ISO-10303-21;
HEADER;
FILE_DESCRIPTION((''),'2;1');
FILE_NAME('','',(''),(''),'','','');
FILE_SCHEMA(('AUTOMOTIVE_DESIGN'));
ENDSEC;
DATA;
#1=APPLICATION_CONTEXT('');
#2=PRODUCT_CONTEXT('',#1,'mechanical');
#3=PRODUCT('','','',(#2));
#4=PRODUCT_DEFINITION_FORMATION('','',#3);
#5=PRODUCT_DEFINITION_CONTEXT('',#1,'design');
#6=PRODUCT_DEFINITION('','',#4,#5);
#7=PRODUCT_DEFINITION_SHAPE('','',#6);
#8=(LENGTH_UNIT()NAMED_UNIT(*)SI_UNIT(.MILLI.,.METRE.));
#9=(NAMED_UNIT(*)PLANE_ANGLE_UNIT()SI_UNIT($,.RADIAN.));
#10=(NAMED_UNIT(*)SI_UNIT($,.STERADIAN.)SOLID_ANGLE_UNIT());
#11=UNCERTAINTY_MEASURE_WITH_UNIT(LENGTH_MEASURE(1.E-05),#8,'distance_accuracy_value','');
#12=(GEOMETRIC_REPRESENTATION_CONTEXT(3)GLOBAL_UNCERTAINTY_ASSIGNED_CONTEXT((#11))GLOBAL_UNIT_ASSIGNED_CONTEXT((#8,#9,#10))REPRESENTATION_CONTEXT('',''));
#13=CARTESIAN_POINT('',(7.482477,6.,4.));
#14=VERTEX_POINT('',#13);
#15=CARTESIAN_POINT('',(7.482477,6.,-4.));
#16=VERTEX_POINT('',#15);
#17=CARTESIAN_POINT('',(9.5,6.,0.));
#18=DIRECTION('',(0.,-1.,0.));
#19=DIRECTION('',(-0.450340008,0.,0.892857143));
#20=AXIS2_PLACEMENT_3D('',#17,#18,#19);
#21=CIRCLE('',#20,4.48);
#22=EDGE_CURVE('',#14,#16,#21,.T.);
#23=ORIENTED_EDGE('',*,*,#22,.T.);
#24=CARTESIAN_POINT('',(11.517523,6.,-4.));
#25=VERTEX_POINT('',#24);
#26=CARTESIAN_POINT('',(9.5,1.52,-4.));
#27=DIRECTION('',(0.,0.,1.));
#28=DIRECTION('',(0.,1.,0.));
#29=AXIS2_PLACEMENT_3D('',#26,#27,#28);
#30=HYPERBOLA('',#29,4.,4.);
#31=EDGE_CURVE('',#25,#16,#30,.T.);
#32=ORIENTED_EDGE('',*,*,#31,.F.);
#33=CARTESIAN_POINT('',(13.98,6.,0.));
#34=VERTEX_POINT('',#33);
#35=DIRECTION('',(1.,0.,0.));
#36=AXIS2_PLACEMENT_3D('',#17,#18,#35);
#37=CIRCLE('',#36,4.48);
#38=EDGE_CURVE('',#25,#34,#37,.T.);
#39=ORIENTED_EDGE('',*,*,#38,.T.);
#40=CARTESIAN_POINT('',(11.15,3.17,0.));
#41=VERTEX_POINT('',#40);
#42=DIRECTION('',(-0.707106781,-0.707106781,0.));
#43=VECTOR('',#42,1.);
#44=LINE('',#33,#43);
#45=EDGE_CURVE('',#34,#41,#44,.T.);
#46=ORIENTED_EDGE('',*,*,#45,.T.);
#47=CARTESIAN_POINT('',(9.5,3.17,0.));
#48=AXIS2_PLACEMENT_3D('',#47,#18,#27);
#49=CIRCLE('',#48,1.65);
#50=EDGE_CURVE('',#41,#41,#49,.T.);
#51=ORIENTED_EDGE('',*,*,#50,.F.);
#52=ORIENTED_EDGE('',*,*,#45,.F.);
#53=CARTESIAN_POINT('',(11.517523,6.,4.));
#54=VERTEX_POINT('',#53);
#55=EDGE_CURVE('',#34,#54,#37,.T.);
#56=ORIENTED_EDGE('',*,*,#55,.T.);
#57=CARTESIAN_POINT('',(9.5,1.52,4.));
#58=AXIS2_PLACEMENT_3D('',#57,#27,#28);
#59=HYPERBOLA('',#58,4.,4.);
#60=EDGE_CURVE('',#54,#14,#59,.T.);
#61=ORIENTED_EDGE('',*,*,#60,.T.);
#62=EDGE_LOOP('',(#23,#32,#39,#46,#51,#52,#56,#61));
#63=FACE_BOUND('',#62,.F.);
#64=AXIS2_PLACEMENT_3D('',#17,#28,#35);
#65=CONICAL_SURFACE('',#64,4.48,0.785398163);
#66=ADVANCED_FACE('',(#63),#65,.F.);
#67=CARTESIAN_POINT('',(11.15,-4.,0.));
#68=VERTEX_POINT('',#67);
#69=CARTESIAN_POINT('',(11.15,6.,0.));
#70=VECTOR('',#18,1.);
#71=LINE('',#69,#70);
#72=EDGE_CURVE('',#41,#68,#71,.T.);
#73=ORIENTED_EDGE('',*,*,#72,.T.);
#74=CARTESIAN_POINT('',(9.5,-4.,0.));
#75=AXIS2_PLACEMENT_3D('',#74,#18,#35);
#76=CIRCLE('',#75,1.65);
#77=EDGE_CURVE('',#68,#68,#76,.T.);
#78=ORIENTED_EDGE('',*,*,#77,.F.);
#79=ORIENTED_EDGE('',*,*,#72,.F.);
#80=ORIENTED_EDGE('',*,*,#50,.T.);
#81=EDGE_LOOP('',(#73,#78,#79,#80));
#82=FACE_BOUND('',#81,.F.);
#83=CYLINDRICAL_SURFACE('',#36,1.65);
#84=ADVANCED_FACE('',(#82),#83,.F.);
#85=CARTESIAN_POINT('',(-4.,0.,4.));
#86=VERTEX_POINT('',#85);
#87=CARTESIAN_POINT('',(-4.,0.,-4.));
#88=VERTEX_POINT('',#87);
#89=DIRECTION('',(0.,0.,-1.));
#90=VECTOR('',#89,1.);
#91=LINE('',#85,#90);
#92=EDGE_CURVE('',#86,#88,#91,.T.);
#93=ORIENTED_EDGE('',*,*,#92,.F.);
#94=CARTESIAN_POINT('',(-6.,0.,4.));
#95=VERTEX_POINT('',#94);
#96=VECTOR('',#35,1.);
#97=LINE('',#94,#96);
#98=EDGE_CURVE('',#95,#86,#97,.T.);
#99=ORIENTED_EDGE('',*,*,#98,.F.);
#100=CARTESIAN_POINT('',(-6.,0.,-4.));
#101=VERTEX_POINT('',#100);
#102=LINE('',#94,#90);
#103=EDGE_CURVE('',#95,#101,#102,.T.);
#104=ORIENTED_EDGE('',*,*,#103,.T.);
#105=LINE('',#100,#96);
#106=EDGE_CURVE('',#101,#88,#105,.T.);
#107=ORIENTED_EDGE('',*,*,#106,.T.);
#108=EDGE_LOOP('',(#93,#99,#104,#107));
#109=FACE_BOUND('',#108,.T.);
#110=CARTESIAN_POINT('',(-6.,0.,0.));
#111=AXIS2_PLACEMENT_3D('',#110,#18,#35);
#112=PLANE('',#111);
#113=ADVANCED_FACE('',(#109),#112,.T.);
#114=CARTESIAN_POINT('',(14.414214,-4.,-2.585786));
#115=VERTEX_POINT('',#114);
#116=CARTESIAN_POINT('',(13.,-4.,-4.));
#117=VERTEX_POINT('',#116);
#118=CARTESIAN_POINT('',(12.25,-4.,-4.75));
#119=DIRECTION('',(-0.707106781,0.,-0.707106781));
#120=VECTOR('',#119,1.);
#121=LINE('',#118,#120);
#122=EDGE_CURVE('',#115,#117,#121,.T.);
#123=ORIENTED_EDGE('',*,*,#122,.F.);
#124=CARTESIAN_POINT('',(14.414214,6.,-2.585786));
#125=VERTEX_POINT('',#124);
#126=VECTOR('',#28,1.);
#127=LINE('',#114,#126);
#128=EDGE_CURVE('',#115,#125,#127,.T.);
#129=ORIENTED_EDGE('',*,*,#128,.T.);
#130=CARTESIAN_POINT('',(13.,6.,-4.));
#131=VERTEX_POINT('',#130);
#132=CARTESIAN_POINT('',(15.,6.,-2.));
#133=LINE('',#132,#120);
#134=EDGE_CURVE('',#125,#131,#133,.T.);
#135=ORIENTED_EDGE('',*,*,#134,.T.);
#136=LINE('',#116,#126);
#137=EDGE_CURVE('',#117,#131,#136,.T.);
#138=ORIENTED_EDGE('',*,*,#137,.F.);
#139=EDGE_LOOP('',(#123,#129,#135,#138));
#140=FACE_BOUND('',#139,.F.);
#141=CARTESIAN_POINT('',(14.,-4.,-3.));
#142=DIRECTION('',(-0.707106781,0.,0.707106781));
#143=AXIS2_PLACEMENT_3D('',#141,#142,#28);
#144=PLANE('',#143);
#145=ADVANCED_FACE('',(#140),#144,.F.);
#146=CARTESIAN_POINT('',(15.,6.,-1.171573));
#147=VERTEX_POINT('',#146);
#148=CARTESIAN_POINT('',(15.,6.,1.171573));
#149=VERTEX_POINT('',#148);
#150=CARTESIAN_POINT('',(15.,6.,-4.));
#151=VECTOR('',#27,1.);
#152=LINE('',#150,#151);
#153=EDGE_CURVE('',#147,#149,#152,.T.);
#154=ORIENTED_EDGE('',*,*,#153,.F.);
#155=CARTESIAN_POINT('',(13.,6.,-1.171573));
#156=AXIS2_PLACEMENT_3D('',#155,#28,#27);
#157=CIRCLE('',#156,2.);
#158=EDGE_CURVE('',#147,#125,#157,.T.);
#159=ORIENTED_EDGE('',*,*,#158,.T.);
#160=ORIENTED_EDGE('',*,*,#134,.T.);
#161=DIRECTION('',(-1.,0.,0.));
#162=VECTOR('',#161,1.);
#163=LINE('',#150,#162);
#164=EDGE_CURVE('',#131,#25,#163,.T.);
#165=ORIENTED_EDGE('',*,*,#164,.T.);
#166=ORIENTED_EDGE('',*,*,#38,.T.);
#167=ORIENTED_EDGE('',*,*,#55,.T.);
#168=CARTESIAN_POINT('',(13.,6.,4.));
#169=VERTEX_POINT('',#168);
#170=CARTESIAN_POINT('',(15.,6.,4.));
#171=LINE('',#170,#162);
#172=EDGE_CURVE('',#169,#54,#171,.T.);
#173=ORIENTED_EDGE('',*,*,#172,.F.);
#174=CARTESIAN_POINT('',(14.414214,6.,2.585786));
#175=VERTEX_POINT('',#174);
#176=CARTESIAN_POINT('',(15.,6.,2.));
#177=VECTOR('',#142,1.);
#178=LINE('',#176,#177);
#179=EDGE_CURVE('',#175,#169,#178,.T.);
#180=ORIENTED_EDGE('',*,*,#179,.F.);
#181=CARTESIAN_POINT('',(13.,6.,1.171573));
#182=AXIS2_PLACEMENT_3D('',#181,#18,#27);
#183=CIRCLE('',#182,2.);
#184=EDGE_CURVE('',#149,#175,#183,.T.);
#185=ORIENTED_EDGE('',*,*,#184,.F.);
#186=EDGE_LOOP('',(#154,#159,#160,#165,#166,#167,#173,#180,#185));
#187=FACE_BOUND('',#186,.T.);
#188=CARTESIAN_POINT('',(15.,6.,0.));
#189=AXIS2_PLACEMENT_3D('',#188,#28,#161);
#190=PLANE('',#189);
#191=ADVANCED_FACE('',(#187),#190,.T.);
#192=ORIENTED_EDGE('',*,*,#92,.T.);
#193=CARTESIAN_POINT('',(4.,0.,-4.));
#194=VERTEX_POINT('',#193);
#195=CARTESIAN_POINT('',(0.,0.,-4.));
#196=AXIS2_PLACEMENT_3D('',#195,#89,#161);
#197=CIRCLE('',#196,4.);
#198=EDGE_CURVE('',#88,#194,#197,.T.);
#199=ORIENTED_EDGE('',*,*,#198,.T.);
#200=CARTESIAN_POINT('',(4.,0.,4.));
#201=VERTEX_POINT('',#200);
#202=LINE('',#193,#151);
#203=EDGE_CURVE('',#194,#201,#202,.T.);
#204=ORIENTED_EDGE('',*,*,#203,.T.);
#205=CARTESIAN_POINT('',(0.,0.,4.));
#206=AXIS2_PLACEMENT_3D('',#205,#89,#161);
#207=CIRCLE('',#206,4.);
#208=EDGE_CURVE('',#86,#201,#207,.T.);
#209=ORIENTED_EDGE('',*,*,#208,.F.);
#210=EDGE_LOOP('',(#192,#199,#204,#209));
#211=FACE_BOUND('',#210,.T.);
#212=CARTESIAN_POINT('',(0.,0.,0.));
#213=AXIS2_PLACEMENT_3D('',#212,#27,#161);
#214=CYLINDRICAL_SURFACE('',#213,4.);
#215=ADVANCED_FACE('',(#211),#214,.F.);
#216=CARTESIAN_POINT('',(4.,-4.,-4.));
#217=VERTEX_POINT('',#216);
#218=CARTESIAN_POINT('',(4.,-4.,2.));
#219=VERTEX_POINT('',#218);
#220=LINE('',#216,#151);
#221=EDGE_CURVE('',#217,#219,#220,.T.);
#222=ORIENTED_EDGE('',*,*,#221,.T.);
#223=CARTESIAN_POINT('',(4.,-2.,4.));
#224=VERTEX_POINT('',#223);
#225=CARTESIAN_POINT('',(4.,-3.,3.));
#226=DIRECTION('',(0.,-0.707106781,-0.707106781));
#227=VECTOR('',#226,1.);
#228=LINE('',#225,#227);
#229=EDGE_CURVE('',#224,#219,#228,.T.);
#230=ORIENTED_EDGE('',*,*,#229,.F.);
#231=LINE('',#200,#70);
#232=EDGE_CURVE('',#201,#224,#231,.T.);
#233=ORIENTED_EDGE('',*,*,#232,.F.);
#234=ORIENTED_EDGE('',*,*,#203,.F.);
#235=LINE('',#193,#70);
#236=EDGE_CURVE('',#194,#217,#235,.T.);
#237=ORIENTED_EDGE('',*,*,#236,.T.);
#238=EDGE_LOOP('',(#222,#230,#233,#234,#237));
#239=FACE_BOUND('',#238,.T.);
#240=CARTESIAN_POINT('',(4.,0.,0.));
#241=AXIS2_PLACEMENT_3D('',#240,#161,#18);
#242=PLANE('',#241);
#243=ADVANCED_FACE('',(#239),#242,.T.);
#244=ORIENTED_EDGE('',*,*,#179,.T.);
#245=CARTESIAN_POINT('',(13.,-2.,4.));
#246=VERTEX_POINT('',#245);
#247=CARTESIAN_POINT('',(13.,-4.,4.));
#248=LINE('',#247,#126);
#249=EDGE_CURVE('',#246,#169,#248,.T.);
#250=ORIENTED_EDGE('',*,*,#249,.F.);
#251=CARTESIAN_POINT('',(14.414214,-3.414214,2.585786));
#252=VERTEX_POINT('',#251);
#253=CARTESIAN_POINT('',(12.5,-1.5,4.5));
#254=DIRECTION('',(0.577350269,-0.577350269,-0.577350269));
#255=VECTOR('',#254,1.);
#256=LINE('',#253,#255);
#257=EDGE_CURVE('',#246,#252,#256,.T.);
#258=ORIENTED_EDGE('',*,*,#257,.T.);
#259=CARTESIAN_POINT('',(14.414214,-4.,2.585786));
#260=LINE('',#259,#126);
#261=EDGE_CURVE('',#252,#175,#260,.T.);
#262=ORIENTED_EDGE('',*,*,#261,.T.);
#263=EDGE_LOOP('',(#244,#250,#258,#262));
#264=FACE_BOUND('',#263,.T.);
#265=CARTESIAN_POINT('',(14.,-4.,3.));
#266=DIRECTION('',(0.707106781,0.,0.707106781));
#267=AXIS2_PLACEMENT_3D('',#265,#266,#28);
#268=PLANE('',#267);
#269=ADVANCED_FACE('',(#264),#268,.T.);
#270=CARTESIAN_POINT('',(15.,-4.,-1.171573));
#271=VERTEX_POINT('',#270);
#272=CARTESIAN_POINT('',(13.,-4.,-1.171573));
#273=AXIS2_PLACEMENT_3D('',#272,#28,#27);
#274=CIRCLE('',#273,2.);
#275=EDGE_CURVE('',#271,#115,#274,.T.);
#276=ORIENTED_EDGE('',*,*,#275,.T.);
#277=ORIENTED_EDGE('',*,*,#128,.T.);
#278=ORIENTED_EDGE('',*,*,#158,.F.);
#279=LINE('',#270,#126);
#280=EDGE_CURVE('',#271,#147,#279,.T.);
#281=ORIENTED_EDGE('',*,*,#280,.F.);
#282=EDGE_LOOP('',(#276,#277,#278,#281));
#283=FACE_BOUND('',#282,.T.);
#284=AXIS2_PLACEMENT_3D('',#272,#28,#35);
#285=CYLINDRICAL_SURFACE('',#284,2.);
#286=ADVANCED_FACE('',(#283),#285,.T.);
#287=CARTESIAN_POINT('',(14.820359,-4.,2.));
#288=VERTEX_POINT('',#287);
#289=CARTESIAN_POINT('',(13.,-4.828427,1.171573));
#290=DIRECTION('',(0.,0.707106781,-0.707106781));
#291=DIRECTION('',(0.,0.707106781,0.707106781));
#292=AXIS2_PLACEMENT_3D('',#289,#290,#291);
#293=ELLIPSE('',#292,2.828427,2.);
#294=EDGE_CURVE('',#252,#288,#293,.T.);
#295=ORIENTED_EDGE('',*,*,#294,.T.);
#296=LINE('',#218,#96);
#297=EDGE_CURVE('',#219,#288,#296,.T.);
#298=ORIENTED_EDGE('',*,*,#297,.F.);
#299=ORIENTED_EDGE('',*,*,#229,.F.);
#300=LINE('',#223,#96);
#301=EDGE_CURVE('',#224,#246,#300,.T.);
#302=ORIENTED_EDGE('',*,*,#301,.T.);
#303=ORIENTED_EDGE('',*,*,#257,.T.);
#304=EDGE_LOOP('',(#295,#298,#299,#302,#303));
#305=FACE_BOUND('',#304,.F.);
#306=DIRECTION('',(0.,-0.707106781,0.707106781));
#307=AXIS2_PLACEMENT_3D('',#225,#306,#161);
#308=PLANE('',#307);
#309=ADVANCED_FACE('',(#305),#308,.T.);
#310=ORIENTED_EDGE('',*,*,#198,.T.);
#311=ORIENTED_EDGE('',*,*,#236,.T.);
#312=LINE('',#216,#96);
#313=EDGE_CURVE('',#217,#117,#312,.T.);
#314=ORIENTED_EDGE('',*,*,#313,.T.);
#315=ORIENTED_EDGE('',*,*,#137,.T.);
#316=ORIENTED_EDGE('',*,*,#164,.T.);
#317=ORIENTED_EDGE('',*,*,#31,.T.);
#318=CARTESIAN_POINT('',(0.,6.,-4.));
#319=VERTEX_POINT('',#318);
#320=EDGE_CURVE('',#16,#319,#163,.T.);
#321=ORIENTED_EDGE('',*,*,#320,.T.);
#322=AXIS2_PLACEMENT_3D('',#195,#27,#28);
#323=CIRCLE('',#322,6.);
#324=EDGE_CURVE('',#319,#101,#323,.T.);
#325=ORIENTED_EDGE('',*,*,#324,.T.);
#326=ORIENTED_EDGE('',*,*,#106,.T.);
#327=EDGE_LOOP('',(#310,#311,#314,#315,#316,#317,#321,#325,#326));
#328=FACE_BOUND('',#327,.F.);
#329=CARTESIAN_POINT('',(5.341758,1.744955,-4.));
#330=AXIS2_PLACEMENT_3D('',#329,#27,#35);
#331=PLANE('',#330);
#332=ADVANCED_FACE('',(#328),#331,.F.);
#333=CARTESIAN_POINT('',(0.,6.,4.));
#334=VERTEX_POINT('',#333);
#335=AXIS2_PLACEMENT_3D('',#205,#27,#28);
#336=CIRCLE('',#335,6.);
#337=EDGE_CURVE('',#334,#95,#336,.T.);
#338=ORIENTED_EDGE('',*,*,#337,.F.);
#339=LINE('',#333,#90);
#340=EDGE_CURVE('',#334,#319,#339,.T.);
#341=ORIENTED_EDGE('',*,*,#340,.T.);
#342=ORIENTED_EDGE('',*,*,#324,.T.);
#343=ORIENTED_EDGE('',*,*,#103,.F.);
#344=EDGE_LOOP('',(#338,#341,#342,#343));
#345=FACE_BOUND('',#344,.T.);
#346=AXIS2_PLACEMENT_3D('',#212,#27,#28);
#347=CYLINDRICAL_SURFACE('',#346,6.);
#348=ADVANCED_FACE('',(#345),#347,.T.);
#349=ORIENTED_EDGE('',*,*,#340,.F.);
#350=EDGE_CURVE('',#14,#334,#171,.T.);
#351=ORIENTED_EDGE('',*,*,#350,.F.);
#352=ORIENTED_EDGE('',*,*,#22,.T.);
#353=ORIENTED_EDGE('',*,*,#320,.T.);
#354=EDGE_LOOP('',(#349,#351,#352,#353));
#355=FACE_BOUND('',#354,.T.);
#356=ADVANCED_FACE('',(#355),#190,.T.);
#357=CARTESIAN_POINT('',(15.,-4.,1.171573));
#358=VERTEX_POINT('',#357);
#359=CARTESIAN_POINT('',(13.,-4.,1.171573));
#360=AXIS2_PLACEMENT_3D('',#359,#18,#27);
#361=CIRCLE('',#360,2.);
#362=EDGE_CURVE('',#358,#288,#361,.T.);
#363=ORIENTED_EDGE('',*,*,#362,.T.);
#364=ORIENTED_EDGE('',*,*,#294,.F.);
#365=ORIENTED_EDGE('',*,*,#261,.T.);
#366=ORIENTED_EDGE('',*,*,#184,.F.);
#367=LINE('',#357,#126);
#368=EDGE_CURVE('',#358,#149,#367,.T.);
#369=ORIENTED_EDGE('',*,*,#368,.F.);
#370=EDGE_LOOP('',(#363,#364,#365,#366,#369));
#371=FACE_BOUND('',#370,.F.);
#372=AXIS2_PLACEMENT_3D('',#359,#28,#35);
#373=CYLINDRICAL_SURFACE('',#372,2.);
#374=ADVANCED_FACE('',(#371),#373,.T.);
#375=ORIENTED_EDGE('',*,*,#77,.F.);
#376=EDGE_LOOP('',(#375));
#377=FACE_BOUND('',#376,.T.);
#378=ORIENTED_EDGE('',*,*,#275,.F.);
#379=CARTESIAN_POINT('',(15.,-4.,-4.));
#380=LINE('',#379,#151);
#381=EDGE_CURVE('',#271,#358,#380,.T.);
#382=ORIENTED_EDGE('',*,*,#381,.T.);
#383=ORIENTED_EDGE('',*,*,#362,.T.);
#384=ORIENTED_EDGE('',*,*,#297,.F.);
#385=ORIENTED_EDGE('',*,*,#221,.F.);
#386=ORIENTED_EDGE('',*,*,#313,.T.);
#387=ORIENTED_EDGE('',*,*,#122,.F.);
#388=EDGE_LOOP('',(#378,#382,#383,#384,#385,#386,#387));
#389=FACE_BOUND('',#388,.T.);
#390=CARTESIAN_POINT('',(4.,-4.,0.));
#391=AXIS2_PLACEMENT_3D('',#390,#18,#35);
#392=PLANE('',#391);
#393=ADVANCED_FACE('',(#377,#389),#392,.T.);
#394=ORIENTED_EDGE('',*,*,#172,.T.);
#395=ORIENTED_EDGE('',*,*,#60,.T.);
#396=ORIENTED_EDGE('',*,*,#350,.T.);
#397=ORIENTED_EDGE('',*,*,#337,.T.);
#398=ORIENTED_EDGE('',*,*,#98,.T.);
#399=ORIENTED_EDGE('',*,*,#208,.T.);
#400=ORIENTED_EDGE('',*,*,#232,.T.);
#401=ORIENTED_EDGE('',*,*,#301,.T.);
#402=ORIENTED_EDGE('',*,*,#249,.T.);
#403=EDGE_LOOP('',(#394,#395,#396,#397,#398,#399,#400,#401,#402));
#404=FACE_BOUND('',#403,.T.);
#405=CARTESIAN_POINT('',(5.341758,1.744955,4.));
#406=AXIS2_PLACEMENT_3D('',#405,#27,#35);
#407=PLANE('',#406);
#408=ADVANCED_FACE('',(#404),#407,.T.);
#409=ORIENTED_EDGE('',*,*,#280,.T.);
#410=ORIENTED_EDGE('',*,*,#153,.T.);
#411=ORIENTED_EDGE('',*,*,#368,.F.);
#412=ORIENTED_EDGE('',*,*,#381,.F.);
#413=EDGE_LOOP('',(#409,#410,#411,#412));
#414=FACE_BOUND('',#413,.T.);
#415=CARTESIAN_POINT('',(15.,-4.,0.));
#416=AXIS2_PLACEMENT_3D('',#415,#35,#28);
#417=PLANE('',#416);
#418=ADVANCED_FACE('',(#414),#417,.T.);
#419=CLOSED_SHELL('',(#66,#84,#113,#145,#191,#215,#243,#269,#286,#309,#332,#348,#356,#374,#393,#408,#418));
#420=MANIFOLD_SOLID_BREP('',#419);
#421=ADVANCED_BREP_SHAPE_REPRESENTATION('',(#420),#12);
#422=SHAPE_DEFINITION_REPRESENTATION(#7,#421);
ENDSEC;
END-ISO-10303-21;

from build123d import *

# Parameters (mm, degrees)
F1_DEPTH       = 4
F3_D           = 3.3
F3_CSINK_D     = 8.96
F3_CSINK_ANGLE = 90
F4_SIZE        = 2
F5_R           = 2
F6_SIZE        = 2


with BuildPart() as f1:
    # F0 (on Top) → F1 (new body, symmetric)
    with BuildSketch(Plane.XY):
        with BuildLine():
            ThreePointArc((-4, 0), (0, 4), (4, 0))
            Line((4, 0), (4, -4))
            Line((4, -4), (15, -4))
            Line((15, -4), (15, 6))
            Line((15, 6), (0, 6))
            ThreePointArc((0, 6), (-4.2426406871, 4.2426406871), (-6, 0))
            Line((-6, 0), (-4, 0))
        make_face()
    extrude(amount=F1_DEPTH, both=True)

    # F3 (through all)
    with Locations(Plane(origin=(0, 6, 0), x_dir=(-1, 0, 0), z_dir=(0, 1, 0))):
        with Locations((-9.5, 0)):
            CounterSinkHole(F3_D / 2, F3_CSINK_D / 2, counter_sink_angle=F3_CSINK_ANGLE)

    # F4
    f4_edges = [f1.edges().sort_by_distance(p)[0] for p in [
        (15, 1, -4),
        (15, 1, 4),
    ]]
    chamfer(f4_edges, length=F4_SIZE)

    # F5
    f5_edges = [f1.edges().sort_by_distance(p)[0] for p in [
        (15, 1, 2),
        (15, 1, -2),
    ]]
    fillet(f5_edges, radius=F5_R)

    # F6
    f6_edges = [f1.edges().sort_by_distance(p)[0] for p in [
        (8.5, -4, 4),
    ]]
    chamfer(f6_edges, length=F6_SIZE)


solid = f1.part
